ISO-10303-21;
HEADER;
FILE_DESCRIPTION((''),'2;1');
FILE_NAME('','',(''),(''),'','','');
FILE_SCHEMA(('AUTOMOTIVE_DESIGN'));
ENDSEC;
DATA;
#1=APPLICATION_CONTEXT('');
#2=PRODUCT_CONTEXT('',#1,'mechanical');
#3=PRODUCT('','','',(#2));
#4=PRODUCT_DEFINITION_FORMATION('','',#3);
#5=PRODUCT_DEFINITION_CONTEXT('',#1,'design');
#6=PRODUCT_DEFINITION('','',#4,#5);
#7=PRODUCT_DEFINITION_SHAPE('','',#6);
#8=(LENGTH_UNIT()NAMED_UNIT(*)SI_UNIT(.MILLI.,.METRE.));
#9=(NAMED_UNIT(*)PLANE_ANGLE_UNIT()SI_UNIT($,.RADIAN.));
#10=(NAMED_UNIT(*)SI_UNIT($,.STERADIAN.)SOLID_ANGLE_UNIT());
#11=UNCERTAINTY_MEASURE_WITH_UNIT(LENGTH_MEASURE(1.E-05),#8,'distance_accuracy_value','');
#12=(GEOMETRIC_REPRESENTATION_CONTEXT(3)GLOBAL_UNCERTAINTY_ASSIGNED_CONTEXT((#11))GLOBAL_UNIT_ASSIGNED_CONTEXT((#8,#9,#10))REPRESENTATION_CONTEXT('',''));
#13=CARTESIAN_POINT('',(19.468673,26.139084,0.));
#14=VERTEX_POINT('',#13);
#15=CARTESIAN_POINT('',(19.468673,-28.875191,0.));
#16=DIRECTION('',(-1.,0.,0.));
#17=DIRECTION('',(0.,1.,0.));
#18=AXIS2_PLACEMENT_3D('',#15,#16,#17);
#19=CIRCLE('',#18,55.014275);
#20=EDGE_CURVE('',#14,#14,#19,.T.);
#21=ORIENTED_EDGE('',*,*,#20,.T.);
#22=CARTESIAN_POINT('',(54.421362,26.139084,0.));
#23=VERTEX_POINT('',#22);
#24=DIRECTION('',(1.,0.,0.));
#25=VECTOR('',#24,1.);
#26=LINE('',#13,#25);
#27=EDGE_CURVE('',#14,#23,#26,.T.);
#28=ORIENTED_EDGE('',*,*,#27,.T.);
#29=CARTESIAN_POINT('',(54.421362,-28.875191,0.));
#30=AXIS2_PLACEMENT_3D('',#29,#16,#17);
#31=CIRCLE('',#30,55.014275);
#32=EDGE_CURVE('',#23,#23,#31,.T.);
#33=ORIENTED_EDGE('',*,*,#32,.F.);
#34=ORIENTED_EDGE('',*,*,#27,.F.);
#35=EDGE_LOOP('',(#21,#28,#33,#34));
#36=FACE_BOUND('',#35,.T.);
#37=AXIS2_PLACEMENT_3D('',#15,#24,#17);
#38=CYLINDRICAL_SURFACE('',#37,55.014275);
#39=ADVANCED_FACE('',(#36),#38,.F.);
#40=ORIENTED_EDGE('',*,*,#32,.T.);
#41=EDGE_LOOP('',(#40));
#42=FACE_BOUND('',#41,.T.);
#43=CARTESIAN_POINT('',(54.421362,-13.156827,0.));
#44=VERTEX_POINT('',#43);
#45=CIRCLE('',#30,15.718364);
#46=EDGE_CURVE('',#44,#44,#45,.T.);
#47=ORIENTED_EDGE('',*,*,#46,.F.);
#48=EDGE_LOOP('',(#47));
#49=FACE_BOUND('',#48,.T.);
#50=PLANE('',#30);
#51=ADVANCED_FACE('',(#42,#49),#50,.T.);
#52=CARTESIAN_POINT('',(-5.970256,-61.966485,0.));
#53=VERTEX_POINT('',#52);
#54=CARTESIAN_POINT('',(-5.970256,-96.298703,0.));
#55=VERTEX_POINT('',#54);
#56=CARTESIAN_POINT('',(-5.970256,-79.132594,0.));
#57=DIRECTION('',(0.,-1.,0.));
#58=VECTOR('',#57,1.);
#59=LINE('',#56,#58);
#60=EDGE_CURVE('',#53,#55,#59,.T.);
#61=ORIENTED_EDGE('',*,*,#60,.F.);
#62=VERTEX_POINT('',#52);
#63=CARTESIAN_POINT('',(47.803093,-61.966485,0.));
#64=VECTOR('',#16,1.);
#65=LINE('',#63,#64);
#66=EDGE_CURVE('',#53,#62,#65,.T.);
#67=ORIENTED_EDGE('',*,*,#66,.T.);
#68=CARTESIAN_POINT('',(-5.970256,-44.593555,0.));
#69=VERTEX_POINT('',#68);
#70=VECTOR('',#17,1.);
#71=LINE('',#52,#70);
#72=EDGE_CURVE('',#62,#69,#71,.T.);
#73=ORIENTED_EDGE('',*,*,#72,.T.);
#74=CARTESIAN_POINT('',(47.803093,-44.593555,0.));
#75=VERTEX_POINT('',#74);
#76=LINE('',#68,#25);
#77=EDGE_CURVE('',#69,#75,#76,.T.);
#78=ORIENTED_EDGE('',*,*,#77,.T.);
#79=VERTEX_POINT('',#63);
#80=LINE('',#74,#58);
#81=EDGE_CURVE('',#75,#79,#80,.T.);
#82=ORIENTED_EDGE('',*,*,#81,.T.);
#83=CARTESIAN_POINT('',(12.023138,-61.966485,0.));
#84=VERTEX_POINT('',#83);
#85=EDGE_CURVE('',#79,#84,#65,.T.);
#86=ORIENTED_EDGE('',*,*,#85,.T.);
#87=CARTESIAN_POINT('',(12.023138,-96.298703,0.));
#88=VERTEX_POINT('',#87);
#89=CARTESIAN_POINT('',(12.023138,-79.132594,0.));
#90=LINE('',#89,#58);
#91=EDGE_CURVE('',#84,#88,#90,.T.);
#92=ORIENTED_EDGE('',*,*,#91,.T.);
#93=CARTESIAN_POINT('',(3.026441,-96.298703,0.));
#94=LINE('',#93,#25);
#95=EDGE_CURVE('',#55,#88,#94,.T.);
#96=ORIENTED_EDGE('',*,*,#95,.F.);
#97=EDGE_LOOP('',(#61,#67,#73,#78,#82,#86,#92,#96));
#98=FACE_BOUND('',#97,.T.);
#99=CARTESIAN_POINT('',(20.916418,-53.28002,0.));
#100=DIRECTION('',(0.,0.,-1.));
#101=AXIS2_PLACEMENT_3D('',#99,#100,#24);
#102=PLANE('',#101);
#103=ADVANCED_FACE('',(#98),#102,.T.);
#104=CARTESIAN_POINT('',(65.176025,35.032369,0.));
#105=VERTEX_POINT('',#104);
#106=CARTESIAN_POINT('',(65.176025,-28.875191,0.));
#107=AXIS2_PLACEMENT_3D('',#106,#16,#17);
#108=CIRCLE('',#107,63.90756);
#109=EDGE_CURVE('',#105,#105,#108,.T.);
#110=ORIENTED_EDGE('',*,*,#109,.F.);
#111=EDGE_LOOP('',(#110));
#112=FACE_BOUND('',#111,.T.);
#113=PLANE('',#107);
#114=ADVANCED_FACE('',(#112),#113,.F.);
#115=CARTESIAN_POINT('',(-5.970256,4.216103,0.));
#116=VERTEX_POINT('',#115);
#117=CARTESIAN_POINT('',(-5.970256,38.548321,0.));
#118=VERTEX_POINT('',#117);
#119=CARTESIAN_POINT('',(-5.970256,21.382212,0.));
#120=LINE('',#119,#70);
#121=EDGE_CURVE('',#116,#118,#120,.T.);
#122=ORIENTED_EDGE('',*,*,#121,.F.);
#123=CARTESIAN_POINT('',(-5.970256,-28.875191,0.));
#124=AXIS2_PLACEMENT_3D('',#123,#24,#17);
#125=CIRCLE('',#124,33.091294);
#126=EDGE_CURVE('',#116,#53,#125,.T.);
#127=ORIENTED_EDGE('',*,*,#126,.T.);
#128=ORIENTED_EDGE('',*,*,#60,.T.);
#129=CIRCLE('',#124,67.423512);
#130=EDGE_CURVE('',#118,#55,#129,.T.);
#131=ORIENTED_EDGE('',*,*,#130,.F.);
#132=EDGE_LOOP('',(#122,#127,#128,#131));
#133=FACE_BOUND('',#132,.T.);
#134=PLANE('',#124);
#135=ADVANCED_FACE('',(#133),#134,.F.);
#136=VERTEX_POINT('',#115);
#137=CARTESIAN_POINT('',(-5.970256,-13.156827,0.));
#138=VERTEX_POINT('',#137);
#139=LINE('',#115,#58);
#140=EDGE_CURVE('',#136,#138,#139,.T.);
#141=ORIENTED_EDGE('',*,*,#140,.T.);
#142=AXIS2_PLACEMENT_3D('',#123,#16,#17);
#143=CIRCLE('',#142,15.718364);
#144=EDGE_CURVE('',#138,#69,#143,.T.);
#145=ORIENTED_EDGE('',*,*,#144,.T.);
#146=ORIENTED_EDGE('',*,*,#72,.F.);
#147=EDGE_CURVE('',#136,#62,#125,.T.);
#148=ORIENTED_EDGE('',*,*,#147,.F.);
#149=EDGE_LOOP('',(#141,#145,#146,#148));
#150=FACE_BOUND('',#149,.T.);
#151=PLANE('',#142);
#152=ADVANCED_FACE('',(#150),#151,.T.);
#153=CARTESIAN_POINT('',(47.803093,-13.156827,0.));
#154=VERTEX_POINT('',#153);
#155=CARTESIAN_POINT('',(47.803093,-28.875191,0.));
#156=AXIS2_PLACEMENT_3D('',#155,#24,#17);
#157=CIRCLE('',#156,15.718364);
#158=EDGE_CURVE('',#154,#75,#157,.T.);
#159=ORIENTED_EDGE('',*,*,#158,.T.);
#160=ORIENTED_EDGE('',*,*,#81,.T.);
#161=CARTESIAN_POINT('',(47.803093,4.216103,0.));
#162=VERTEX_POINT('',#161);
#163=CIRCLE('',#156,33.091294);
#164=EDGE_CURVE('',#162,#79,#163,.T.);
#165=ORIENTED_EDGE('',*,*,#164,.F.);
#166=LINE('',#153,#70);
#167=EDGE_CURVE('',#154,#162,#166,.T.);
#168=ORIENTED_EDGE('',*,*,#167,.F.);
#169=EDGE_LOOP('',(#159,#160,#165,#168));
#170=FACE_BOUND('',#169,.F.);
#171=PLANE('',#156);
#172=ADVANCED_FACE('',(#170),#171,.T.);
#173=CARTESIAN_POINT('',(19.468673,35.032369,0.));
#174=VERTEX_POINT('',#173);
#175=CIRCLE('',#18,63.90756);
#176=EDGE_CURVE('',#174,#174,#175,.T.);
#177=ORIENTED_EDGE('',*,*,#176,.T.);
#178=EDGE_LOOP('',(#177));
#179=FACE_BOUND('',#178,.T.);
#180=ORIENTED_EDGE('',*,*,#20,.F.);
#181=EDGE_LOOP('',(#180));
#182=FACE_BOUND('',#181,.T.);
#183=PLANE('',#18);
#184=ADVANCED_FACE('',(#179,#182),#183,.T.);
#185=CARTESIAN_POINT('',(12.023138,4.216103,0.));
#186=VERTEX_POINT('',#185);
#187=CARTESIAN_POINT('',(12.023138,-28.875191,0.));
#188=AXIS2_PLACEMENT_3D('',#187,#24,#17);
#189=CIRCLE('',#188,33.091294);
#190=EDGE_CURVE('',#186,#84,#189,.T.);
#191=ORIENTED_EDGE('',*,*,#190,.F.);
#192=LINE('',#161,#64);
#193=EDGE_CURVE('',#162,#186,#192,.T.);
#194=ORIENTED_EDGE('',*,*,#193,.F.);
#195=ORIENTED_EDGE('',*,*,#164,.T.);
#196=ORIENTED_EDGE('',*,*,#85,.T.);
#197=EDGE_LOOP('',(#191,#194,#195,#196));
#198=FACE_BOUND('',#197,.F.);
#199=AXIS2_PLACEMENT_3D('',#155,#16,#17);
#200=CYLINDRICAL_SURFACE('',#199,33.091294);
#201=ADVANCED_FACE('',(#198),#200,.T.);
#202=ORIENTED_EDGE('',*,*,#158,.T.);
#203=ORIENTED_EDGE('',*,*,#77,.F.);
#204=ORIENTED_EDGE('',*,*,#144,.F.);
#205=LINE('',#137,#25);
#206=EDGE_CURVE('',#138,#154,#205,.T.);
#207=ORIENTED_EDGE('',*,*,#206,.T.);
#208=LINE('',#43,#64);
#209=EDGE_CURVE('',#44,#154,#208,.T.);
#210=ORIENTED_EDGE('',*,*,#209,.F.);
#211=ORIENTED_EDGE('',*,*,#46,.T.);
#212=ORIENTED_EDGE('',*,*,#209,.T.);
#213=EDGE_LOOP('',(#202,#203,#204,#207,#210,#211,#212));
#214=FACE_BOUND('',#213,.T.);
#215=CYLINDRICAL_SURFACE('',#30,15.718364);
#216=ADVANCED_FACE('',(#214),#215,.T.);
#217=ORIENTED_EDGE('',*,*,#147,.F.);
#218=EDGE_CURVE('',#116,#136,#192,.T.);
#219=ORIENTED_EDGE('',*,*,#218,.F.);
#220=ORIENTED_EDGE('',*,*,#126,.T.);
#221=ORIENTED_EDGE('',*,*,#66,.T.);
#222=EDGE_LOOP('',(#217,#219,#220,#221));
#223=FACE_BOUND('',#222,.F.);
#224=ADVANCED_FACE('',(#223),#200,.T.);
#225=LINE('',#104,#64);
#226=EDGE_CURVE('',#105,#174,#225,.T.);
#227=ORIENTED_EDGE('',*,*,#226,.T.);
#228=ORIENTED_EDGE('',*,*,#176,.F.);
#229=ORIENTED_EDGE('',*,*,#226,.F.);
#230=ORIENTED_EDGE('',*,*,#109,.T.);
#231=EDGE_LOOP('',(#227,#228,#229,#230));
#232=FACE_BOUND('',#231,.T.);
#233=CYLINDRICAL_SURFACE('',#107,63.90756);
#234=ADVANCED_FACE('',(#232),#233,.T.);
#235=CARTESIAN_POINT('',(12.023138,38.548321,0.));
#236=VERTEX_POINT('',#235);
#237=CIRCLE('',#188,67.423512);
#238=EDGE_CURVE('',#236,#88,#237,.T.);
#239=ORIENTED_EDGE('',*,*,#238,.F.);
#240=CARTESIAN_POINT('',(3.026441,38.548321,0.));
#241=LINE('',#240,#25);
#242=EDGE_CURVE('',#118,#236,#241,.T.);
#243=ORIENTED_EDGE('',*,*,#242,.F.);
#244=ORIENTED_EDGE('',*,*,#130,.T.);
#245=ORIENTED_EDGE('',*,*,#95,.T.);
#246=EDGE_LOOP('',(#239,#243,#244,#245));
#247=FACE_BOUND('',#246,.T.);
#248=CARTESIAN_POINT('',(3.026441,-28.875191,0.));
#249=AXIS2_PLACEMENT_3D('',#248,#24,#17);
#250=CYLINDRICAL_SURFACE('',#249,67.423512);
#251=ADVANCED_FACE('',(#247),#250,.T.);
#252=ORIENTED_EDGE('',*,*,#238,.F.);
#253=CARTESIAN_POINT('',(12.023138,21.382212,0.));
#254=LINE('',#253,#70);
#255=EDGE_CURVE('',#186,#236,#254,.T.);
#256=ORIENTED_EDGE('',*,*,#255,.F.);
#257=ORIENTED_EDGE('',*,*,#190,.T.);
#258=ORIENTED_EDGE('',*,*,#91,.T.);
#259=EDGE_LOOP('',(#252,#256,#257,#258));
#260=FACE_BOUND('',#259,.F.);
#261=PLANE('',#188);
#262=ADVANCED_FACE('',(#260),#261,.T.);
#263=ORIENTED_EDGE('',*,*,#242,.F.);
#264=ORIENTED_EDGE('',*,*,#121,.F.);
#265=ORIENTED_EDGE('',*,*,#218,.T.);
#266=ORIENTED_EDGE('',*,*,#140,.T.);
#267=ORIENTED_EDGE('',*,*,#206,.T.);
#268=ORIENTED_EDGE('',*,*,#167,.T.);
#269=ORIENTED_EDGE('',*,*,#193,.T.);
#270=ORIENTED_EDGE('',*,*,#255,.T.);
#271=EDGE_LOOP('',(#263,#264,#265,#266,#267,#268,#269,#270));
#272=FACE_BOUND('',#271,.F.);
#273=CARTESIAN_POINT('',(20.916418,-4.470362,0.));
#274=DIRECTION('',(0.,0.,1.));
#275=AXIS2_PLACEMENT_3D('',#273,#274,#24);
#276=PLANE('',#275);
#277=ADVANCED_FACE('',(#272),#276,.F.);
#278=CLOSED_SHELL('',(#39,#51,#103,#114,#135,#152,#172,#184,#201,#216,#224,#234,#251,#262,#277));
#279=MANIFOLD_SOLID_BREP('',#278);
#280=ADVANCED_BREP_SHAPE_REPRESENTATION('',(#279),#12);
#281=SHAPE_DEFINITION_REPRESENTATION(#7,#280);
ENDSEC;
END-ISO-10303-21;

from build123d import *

# Parameters (mm, degrees)
F1_W     = 17.993393
F1_H     = 34.332218
F2_ANGLE = -180


with BuildPart() as f2:
    # F1 (on face) → F2 (revolve)
    with BuildSketch(Plane.XY):
        Polygon((12.023137, 4.216103), (-5.970256, 4.216103), (-5.970256, -13.156827), (47.803093, -13.156827), (47.803093, 4.216103), align=None)
        with Locations((3.026441, 21.382212)):
            Rectangle(F1_W, F1_H)
    revolve(axis=Axis((24.225553, -28.875191, 0), (-1, 0, 0)), revolution_arc=F2_ANGLE)

    # F1 (on face) → F3 (revolve)
    with BuildSketch(Plane.XY):
        Polygon((54.421362, 26.139084), (54.421362, -13.156827), (54.421362, -28.875191), (65.176025, -28.875191), (65.176025, 26.139084), align=None)
        Polygon((19.468673, 26.139084), (54.421362, 26.139084), (65.176025, 26.139084), (65.176025, 35.032369), (19.468673, 35.032369), align=None)
        Polygon((47.803093, -13.156827), (-5.970256, -13.156827), (-5.970256, -28.875191), (54.421362, -28.875191), (54.421362, -13.156827), align=None)
    revolve(axis=Axis((59.798693, -28.875191, 0), (-1, 0, 0)))


solid = f2.part
